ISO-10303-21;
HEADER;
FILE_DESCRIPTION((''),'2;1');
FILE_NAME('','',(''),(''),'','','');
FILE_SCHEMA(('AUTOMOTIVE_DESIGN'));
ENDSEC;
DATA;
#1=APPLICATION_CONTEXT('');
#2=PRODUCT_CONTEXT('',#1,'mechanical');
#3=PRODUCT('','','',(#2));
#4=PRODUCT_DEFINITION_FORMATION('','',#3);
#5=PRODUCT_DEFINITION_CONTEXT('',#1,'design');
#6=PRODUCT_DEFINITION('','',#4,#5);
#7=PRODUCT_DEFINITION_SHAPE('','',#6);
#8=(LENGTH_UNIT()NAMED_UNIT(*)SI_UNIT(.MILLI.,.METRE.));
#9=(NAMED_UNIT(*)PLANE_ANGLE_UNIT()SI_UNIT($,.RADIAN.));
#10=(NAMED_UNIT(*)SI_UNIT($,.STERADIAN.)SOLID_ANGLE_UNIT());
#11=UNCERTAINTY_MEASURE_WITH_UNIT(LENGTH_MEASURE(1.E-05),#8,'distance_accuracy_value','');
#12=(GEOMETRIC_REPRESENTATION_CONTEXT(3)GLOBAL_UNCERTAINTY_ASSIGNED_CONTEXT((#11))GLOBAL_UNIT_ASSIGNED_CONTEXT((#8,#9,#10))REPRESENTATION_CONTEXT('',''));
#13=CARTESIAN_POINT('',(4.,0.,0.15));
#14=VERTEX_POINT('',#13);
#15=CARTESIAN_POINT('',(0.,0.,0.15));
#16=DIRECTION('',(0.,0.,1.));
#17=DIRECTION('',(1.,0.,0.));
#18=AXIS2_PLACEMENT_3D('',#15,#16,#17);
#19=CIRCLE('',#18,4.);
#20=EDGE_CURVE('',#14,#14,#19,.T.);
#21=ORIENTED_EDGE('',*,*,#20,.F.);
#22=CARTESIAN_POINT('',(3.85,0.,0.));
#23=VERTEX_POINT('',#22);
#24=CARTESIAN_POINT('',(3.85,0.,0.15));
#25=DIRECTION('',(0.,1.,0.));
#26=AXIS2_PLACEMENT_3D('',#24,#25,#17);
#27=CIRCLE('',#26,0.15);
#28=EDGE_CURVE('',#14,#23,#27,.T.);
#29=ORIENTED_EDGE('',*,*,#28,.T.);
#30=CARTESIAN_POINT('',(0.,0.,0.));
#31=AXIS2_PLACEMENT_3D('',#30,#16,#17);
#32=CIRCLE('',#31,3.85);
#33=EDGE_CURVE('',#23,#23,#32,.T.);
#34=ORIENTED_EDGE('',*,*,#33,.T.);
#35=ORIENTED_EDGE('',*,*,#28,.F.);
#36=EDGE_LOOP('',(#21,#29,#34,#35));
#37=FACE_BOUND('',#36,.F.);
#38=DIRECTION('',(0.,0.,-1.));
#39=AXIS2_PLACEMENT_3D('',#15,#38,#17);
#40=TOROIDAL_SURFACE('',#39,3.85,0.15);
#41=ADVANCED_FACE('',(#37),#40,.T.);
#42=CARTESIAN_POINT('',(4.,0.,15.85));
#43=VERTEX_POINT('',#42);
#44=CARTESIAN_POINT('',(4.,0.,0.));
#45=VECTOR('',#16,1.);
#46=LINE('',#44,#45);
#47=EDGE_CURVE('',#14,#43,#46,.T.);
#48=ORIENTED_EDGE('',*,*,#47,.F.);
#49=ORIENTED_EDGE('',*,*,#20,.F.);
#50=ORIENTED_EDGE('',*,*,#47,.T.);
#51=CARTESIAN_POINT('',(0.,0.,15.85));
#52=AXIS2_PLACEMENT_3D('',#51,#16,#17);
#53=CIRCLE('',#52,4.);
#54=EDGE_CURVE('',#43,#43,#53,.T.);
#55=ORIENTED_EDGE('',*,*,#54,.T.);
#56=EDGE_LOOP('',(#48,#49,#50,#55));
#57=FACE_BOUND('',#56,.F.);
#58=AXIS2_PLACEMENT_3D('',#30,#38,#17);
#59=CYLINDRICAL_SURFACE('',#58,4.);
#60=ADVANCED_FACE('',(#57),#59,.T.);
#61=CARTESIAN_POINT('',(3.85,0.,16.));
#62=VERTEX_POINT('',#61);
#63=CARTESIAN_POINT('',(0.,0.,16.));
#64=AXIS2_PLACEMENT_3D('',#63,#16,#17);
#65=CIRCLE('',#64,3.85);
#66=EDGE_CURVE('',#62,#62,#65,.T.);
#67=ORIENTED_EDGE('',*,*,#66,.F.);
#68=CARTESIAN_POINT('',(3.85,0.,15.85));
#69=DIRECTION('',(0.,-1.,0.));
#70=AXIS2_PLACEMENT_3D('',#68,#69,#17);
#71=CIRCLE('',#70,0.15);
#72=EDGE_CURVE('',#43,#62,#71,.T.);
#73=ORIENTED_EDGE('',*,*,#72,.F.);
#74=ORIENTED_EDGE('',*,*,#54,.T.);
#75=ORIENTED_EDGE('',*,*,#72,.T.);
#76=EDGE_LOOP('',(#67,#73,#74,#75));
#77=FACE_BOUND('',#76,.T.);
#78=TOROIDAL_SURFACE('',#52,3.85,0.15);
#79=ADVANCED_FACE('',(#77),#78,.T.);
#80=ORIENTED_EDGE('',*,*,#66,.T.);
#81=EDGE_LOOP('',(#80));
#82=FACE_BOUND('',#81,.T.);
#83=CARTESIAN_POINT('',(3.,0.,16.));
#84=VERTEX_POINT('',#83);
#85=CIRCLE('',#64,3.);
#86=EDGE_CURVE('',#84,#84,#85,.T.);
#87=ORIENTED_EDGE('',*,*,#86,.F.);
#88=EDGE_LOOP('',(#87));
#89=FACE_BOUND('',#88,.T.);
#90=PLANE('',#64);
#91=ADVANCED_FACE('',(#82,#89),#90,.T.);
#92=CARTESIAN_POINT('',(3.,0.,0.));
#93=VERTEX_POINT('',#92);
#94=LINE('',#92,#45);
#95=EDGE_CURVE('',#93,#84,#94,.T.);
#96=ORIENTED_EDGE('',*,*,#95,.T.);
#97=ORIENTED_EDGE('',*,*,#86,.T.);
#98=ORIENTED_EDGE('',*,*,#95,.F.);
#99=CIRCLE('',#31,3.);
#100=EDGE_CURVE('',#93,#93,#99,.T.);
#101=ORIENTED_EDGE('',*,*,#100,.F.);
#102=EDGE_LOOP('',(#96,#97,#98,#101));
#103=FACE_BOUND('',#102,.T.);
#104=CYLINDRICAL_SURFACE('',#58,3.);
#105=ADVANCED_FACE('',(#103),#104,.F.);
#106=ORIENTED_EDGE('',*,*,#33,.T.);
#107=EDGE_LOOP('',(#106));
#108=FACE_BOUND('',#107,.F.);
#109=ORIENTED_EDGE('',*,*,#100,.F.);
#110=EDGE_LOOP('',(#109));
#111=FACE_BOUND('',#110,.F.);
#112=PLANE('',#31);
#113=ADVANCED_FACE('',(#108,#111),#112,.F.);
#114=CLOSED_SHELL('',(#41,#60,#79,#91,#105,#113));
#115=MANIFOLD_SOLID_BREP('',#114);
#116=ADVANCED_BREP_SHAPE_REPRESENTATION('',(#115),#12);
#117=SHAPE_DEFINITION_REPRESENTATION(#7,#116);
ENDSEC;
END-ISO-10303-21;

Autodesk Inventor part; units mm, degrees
ref_plane "YZ Plane" through (0, 0, 0) normal (1, 0, 0) x (0, 1, 0)
ref_plane "XZ Plane" through (0, 0, 0) normal (0, 1, 0) x (-1, 0, 0)
ref_plane "XY Plane" through (0, 0, 0) normal (0, 0, 1) x (1, 0, 0)
sketch "Sketch1" plane through (0, 0, 0) normal (0, 0, 1) x (1, 0, 0)
  circle A0 centre (0, 0) radius 4
  circle A1 centre (0, 0) radius 3
  dimension "d0" = 8
  dimension "d1" = 6
extrude "Extrusion1" add sketch "Sketch1" along normal blind 16
thread "Thread1" size "M8x1.25" class "6g" standard "ISO Metric profile" full length
fillet "Fillet1" radius 0.15 2 edges at (-4, 0, 16) (-4, 0, 0)
properties part number "49"
